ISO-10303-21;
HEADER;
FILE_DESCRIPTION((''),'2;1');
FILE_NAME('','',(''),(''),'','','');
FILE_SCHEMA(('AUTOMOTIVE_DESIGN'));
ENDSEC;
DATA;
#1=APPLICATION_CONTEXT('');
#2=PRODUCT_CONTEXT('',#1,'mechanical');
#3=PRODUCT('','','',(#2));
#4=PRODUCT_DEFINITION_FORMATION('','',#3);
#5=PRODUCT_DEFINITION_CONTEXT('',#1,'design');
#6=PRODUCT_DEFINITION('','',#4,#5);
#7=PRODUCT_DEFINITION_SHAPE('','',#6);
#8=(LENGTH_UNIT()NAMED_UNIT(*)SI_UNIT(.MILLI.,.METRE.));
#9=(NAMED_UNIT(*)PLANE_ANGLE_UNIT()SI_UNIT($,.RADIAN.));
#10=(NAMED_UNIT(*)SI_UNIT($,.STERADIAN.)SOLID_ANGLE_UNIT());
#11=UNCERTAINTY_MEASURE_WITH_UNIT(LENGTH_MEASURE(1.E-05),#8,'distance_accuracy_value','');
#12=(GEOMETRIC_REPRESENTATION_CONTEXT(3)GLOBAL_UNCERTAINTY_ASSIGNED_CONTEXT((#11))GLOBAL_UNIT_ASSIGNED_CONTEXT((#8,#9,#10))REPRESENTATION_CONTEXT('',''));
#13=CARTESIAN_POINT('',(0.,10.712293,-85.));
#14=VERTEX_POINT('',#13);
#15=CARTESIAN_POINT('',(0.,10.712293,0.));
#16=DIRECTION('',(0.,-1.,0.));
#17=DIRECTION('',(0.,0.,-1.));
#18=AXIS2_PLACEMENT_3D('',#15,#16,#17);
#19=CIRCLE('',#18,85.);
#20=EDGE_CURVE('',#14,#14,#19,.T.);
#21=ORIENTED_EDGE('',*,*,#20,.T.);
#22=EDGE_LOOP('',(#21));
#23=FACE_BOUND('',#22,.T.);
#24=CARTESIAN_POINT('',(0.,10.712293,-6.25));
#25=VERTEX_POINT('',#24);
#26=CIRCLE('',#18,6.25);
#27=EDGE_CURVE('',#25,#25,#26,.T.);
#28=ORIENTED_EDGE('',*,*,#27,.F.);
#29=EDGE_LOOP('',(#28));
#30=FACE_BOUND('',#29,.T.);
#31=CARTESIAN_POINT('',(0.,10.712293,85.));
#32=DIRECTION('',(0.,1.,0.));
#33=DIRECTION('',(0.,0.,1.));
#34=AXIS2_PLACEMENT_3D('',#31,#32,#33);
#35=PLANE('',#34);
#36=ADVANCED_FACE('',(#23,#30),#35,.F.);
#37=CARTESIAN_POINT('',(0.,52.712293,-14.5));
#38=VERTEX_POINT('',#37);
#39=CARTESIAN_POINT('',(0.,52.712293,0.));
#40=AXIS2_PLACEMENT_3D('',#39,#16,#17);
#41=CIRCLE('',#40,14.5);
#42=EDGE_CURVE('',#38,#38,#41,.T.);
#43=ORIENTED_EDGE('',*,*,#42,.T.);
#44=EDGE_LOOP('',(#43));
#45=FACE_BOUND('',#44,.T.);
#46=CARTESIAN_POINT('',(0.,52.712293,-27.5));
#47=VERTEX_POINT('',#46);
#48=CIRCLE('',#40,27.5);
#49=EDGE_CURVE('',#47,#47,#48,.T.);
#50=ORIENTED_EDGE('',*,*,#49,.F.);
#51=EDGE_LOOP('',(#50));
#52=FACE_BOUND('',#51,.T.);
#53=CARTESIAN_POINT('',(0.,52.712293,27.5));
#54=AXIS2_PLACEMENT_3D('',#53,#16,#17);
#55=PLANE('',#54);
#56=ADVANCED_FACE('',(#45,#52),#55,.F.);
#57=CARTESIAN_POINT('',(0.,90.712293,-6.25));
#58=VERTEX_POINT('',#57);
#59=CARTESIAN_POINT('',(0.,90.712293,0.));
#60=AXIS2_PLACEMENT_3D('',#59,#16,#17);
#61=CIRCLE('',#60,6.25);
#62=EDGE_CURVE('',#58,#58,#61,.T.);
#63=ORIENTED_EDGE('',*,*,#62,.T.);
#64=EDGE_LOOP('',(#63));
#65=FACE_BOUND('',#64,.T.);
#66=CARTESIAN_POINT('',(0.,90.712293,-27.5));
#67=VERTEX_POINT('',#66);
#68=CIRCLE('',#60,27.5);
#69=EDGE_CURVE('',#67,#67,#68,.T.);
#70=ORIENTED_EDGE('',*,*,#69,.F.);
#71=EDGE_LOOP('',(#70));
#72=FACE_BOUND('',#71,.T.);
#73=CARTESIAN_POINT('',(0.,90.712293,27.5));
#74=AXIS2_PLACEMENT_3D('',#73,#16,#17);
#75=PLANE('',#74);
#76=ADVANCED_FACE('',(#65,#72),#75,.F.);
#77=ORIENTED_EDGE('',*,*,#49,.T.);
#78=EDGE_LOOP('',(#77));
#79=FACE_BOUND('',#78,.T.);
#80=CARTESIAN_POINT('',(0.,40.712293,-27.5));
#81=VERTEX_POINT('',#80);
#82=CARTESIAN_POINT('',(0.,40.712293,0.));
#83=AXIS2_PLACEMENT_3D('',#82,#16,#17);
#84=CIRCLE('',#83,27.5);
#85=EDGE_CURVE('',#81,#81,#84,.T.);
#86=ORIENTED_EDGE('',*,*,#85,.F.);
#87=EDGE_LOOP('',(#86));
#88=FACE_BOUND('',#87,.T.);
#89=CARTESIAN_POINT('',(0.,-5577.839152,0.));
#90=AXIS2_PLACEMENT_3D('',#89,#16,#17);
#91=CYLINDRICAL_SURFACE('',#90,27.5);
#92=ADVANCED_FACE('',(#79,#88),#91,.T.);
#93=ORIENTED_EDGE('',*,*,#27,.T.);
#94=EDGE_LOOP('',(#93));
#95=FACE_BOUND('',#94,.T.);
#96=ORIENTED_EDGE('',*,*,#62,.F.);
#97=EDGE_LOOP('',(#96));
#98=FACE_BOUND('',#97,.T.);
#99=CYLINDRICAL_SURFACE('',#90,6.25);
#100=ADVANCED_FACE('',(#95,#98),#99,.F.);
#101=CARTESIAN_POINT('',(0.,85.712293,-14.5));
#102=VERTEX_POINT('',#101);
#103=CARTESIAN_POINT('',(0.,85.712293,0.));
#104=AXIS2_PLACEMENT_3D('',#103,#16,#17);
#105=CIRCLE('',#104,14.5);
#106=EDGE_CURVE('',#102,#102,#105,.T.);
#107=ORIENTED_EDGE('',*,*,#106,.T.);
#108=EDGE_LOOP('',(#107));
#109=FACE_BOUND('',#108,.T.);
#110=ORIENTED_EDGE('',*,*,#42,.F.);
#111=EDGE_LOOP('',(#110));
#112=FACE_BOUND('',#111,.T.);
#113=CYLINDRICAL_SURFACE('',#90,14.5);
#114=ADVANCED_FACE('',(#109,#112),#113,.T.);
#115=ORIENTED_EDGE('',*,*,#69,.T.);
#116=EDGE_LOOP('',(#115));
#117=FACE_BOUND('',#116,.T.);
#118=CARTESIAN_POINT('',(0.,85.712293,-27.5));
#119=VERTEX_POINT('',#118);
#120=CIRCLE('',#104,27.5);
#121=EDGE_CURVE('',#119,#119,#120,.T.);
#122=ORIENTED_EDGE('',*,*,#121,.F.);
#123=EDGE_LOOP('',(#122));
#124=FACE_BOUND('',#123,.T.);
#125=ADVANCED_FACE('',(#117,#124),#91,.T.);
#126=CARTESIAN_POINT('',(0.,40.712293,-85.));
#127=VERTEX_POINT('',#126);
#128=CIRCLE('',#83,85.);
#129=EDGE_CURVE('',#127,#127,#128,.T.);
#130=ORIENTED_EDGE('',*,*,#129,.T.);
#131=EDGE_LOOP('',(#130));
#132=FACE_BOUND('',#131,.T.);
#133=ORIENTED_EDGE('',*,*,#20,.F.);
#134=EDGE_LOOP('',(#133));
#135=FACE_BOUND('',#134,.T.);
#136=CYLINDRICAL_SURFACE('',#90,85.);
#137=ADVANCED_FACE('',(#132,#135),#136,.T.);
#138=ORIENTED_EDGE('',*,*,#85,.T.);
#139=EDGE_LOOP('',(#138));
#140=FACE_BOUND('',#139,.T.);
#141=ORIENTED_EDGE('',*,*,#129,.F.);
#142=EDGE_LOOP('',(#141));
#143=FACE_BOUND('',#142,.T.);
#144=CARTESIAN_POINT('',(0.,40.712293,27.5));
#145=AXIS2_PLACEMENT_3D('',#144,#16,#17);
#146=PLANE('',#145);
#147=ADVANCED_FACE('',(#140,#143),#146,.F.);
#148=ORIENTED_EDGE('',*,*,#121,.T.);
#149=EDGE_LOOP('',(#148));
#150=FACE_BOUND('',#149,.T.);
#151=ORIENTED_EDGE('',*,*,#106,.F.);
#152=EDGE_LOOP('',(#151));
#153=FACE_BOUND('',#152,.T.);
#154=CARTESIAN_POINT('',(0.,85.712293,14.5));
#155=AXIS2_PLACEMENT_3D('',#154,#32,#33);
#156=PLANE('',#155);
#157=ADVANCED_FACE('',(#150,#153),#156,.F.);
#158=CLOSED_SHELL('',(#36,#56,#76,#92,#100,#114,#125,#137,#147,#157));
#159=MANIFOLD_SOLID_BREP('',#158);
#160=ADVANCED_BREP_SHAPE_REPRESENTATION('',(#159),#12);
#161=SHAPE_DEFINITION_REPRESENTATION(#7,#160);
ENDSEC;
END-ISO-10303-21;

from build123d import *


with BuildPart() as part:
    # Sketch1 → Revolve1 (revolve)
    with BuildSketch(Plane(origin=(0, 0, 0), x_dir=(0, 0, -1), z_dir=(1, 0, 0)), mode=Mode.PRIVATE) as revolve1_sk:
        Polygon((-27.5, 40.712292697), (-85, 40.712292697), (-85, 10.712292697), (-6.25, 10.712292697), (-6.25, 90.712292697), (-27.5, 90.712292697), (-27.5, 85.712292697), (-14.5, 85.712292697), (-14.5, 52.712292697), (-27.5, 52.712292697), align=None)
    revolve(revolve1_sk.sketch.rotate(Axis((0, -5577.839151729, 0), (0, 1, 0)), 180), axis=Axis((0, -5577.839151729, 0), (0, 1, 0)))


solid = part.part
